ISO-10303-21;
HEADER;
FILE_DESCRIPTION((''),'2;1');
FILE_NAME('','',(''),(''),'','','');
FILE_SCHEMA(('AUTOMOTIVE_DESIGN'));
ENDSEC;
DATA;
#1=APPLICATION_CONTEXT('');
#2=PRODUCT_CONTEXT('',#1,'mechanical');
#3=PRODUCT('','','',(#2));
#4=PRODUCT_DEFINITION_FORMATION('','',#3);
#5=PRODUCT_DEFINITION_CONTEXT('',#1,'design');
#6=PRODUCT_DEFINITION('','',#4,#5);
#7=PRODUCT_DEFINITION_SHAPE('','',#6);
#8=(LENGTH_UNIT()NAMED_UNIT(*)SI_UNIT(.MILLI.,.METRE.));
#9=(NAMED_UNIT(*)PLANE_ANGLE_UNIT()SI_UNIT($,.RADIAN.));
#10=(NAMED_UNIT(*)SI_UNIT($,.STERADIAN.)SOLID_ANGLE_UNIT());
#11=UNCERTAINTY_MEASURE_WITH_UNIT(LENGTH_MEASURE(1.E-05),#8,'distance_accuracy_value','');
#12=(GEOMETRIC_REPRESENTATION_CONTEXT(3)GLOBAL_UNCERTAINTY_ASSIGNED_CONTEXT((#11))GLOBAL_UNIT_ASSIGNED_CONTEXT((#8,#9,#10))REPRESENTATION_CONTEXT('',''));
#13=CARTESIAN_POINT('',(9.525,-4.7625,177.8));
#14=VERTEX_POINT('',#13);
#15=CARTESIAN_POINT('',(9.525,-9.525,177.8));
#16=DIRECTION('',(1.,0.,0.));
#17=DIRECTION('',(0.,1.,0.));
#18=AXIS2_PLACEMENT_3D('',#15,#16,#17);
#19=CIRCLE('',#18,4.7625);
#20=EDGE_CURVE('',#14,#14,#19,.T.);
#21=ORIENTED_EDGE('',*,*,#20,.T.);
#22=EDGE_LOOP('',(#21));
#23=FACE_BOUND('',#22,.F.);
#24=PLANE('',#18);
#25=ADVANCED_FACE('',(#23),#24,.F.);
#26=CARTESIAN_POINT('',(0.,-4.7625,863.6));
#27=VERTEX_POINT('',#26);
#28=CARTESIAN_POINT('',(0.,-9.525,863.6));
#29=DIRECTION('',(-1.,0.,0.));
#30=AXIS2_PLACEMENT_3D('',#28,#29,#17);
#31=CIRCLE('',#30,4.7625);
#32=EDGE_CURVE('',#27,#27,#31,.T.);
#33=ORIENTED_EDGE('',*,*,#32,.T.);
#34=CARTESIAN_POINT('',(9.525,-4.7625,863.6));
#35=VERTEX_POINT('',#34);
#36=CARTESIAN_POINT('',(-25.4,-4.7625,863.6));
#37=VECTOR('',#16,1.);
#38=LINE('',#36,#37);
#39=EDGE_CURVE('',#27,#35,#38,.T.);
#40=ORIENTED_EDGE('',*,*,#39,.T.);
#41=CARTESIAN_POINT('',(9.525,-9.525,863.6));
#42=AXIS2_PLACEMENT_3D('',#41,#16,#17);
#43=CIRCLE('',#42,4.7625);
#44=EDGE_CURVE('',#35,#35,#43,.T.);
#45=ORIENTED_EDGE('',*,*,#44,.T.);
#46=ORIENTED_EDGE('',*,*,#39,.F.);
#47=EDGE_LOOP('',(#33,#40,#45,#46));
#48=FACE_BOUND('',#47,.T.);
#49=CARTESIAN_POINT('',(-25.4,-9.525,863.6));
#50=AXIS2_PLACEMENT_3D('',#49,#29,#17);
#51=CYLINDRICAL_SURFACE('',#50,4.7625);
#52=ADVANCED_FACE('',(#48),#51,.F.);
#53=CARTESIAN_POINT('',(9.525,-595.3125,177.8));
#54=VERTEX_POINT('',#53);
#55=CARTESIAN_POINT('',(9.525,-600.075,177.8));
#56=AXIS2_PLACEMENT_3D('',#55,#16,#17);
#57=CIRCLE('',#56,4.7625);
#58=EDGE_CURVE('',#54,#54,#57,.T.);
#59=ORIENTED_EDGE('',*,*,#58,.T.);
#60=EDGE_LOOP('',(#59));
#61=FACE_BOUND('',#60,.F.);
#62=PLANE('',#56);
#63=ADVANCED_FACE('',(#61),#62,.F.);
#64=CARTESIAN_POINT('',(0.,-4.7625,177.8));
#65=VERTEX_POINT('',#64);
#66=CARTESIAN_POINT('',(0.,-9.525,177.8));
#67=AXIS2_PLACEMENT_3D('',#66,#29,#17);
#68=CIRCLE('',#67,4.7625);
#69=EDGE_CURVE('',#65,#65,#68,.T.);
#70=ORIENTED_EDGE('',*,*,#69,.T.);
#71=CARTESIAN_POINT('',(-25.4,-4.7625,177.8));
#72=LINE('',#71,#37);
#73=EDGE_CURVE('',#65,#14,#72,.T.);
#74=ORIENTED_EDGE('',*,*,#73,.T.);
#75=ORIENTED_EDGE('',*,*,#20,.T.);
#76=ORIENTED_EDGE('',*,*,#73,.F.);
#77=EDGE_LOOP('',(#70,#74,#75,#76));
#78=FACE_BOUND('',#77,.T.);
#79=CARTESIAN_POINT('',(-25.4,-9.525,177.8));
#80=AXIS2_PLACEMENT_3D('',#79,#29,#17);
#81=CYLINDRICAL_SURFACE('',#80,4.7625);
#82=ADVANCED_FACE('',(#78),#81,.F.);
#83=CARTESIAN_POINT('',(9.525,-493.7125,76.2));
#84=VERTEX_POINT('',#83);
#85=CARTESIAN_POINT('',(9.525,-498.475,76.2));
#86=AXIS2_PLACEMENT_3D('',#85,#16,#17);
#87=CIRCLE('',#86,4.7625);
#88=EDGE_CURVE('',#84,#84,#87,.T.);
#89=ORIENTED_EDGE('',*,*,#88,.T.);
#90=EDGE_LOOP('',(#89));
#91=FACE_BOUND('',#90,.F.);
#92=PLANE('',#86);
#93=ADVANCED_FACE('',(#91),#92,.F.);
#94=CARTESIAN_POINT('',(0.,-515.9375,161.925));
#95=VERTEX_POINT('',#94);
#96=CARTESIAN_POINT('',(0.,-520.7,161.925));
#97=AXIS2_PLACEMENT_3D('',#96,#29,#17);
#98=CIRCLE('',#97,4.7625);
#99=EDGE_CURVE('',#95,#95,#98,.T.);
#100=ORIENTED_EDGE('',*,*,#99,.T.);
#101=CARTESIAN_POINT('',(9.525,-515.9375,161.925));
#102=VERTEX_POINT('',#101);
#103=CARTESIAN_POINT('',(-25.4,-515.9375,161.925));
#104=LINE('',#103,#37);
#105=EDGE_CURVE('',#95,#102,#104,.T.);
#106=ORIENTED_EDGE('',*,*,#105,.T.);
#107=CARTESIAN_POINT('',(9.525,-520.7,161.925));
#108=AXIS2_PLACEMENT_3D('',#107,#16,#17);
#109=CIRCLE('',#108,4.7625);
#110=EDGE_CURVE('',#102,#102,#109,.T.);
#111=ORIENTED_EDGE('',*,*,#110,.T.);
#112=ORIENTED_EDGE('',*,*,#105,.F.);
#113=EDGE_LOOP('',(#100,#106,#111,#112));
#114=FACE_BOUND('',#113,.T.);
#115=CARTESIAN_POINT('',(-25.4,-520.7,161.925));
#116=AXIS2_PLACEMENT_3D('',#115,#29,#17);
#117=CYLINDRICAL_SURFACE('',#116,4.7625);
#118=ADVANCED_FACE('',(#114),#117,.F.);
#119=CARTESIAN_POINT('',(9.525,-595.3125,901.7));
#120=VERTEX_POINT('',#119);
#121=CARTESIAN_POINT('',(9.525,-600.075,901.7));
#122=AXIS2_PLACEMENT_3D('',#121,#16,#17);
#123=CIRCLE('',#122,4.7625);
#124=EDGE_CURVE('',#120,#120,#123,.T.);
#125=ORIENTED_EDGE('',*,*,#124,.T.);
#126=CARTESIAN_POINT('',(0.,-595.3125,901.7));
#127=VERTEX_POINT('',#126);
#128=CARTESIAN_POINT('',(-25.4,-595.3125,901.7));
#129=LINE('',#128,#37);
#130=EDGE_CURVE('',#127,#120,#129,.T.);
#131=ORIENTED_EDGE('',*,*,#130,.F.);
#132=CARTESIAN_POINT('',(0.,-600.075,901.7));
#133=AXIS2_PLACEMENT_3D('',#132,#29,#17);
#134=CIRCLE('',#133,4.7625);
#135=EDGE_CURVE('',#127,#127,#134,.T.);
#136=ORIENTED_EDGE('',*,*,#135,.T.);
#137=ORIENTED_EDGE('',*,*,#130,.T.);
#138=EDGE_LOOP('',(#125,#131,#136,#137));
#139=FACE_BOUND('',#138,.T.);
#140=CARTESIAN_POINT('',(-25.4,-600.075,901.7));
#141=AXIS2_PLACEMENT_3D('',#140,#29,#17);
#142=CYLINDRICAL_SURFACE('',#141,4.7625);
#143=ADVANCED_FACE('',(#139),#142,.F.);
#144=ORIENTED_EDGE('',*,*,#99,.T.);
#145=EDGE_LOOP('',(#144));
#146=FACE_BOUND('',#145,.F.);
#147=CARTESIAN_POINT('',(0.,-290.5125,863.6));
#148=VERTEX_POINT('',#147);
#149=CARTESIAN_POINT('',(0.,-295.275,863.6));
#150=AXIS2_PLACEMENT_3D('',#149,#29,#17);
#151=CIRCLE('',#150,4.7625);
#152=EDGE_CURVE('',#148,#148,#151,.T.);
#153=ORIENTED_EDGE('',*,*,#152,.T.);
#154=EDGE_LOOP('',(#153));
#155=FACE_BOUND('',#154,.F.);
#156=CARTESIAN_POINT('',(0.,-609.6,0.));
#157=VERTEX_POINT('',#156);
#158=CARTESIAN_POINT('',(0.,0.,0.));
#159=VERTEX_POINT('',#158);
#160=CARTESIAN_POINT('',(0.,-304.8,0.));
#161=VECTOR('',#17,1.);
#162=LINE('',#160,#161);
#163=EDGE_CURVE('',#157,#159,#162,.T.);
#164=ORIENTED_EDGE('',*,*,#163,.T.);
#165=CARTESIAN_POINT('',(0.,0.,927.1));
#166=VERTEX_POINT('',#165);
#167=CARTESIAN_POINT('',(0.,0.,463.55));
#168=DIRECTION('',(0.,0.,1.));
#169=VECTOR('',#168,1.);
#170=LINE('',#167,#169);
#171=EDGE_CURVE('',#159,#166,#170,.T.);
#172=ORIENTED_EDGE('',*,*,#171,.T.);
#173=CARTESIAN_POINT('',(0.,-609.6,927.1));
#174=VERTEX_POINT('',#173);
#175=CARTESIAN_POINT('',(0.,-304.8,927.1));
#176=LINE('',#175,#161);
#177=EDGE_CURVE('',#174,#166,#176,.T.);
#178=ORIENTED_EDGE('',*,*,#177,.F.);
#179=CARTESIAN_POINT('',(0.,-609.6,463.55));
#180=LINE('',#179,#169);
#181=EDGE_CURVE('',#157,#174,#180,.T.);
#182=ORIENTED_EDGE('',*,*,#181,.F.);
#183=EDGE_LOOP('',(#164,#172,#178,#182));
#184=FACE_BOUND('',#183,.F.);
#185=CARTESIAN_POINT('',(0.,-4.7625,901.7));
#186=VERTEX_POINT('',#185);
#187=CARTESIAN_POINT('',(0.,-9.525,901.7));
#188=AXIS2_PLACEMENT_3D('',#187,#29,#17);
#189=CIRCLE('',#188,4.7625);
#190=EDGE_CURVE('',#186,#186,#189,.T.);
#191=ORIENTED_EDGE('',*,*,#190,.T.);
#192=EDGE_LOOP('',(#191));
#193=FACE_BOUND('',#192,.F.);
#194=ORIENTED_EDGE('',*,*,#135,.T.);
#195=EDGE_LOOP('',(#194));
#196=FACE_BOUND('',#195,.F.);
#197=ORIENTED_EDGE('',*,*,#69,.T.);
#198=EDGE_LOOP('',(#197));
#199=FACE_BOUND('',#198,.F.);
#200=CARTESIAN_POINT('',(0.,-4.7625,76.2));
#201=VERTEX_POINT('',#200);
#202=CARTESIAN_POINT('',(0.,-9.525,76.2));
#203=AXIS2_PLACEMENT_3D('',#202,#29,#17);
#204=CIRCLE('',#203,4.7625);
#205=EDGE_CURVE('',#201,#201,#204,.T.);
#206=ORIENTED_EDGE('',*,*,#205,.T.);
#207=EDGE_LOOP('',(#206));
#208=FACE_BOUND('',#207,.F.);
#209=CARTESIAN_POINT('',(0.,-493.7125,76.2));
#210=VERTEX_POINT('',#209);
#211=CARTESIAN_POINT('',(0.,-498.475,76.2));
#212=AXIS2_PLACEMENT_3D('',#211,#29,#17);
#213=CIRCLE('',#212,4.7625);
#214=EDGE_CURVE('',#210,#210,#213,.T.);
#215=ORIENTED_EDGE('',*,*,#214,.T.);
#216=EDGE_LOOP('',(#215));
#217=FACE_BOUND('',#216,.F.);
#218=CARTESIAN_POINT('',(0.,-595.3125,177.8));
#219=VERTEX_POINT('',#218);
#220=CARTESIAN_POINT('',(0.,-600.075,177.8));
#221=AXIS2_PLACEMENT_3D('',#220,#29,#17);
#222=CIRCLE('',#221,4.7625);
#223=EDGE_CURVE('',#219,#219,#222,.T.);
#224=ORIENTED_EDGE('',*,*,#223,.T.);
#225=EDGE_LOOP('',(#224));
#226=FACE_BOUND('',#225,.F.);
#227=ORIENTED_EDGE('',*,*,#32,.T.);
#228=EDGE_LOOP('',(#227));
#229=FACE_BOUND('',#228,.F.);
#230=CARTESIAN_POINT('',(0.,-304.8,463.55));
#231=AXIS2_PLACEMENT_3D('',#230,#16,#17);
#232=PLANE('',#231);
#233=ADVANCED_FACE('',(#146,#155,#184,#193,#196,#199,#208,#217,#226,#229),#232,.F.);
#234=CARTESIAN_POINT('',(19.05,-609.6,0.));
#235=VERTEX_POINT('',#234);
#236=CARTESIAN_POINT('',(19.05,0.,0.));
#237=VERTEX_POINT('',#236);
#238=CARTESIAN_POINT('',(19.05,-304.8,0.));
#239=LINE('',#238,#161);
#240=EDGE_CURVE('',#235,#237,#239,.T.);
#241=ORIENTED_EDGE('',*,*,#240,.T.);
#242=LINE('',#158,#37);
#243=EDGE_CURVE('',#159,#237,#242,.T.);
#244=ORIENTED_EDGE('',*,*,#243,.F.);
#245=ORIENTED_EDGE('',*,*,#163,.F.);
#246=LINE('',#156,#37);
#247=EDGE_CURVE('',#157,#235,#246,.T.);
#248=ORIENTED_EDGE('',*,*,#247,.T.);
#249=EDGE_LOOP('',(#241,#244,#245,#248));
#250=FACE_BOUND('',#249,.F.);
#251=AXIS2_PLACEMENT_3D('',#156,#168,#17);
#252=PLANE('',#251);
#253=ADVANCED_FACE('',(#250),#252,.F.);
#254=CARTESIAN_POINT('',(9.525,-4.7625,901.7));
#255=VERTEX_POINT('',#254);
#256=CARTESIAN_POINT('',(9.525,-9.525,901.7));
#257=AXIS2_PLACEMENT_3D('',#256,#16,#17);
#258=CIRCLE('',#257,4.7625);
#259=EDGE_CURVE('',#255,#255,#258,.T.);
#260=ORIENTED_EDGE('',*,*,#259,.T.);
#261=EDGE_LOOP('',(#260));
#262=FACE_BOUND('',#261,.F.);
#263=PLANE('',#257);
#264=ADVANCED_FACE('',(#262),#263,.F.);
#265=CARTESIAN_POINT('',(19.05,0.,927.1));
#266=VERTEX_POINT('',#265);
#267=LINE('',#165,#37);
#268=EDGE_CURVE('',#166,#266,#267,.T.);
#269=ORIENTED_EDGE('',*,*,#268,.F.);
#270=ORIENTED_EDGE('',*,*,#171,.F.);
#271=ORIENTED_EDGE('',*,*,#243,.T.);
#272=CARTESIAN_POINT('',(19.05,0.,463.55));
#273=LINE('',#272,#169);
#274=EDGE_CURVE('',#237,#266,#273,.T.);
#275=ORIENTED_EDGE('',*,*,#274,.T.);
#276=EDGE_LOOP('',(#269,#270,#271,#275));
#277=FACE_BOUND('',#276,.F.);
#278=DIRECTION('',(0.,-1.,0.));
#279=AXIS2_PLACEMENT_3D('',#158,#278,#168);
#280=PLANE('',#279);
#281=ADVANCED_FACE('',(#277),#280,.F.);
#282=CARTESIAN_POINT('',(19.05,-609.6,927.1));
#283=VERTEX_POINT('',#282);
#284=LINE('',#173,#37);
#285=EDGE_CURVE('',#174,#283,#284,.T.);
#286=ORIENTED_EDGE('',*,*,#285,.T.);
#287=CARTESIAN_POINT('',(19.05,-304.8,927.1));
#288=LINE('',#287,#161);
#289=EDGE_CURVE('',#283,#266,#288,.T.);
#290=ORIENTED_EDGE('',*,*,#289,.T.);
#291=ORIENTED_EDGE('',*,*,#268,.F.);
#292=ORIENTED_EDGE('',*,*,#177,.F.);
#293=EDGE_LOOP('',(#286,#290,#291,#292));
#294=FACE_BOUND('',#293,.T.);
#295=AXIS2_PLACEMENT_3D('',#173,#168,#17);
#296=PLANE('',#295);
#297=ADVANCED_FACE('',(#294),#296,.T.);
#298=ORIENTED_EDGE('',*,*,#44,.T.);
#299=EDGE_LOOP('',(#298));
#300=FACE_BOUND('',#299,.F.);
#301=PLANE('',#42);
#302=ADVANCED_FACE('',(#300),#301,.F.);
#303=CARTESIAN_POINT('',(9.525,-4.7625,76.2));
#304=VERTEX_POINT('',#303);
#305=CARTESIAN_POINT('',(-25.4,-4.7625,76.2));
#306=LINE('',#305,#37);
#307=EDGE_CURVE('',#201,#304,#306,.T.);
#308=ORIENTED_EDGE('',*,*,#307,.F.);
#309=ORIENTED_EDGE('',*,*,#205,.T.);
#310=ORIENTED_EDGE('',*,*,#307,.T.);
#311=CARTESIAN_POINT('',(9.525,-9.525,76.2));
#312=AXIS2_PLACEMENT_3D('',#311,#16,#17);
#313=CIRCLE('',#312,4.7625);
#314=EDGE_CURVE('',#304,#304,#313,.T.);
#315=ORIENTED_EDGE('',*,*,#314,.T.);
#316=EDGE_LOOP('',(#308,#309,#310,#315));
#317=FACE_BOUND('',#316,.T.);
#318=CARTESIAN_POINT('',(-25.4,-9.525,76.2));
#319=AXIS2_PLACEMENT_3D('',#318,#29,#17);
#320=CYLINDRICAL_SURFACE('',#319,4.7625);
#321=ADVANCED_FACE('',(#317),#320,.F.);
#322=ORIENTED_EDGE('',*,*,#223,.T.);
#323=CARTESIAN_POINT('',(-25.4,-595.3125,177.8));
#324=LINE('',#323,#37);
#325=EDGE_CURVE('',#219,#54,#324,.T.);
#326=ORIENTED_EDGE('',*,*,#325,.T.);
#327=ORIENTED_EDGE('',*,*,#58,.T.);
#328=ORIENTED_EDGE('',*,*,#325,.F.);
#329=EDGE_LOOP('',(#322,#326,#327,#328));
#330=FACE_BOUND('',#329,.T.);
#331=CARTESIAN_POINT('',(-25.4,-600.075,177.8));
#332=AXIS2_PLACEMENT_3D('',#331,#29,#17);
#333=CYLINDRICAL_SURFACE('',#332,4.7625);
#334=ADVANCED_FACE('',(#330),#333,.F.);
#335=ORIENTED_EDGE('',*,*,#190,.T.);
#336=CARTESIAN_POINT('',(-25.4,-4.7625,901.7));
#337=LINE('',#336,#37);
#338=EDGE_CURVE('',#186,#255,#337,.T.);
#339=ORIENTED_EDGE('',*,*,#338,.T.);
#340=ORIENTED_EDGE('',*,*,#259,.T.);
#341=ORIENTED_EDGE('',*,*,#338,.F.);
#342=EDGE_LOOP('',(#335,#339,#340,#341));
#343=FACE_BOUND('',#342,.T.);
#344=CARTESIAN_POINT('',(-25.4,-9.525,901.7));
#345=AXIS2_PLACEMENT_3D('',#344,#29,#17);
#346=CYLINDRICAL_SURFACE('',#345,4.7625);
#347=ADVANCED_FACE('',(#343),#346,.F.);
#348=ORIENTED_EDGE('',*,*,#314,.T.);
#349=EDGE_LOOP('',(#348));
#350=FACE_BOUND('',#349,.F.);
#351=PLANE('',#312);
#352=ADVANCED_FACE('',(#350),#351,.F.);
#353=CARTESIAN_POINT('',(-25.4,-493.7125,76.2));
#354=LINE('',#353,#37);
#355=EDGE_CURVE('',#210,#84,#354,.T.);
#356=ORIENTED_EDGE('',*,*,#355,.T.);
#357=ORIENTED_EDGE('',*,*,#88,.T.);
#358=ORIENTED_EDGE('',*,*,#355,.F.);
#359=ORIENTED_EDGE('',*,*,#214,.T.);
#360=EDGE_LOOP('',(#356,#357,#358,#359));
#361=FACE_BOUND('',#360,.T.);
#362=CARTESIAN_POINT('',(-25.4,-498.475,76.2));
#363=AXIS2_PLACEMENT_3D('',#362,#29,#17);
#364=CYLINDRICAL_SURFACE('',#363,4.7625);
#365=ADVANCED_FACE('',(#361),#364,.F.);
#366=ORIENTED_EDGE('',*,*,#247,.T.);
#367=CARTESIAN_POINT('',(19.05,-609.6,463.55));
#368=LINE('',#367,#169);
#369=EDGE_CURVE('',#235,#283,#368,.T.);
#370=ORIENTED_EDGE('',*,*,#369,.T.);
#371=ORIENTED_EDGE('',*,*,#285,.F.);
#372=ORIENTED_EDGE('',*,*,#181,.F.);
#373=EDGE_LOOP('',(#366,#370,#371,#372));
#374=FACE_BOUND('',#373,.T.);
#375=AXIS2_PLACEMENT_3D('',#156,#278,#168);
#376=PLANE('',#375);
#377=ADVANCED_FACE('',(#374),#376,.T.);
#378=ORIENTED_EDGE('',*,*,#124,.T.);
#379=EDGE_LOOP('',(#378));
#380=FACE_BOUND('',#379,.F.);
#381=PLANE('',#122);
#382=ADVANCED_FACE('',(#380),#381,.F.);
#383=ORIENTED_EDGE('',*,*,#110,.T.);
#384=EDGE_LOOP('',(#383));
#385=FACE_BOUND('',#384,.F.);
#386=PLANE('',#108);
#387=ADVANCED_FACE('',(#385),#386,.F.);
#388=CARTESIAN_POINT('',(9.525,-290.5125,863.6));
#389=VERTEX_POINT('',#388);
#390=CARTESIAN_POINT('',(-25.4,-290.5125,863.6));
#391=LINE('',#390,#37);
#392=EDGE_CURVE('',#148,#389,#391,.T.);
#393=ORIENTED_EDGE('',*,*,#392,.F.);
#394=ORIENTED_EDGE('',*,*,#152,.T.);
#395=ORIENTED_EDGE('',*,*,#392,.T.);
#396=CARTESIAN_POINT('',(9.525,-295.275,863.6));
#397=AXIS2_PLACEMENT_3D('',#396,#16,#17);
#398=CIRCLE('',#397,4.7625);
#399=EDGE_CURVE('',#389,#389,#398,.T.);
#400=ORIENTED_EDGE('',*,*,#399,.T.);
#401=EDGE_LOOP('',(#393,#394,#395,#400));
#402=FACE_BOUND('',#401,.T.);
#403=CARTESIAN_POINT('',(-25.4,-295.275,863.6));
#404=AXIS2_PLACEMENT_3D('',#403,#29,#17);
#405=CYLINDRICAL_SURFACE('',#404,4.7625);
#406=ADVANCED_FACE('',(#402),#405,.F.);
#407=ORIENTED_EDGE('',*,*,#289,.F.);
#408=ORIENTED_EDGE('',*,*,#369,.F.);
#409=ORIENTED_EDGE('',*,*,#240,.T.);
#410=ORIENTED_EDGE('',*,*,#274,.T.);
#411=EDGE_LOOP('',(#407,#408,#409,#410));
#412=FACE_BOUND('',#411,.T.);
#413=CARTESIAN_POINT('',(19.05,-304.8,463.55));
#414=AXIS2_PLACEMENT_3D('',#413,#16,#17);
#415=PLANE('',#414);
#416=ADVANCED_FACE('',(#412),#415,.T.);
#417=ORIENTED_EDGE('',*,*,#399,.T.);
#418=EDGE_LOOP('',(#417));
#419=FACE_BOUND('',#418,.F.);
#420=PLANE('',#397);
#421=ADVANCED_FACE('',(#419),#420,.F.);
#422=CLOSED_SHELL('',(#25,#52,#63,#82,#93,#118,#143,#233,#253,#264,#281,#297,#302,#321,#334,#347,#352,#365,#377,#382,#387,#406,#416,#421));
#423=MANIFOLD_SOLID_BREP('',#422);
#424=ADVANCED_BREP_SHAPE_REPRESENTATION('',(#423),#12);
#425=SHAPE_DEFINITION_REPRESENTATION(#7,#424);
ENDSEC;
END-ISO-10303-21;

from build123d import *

# Parameters (mm, degrees)
F0_W     = 609.6
F0_H     = 927.1
F1_DEPTH = 19.05
F3_R     = 4.7625
F4_DEPTH = 34.925


with BuildPart() as f1:
    # F0 (on Right) → F1 (new body)
    with BuildSketch(Plane.YZ):
        with Locations((-304.8, 463.55)):
            Rectangle(F0_W, F0_H)
    extrude(amount=F1_DEPTH)

    # F3 (on offset) → F4 (cut)
    with BuildSketch(Plane.YZ.offset(-25.4)):
        with Locations((-9.525, 76.2)):
            Circle(F3_R)
        with Locations((-600.075, 177.8)):
            Circle(F3_R)
        with Locations((-600.075, 901.7)):
            Circle(F3_R)
        with Locations((-295.275, 1365.25)):
            Circle(F3_R)
        with Locations((-295.275, 2089.15)):
            Circle(F3_R)
        with Locations((-295.275, 863.6)):
            Circle(F3_R)
        with Locations((-9.525, 863.6)):
            Circle(F3_R)
        with Locations((-9.525, 2089.15)):
            Circle(F3_R)
        with Locations((-9.525, 1365.25)):
            Circle(F3_R)
        with Locations((-9.525, 901.7)):
            Circle(F3_R)
        with Locations((-9.525, 177.8)):
            Circle(F3_R)
        with Locations((-498.475, 76.2)):
            Circle(F3_R)
        with Locations((-520.7, 161.925)):
            Circle(F3_R)
    extrude(amount=F4_DEPTH, mode=Mode.SUBTRACT)


solid = f1.part
